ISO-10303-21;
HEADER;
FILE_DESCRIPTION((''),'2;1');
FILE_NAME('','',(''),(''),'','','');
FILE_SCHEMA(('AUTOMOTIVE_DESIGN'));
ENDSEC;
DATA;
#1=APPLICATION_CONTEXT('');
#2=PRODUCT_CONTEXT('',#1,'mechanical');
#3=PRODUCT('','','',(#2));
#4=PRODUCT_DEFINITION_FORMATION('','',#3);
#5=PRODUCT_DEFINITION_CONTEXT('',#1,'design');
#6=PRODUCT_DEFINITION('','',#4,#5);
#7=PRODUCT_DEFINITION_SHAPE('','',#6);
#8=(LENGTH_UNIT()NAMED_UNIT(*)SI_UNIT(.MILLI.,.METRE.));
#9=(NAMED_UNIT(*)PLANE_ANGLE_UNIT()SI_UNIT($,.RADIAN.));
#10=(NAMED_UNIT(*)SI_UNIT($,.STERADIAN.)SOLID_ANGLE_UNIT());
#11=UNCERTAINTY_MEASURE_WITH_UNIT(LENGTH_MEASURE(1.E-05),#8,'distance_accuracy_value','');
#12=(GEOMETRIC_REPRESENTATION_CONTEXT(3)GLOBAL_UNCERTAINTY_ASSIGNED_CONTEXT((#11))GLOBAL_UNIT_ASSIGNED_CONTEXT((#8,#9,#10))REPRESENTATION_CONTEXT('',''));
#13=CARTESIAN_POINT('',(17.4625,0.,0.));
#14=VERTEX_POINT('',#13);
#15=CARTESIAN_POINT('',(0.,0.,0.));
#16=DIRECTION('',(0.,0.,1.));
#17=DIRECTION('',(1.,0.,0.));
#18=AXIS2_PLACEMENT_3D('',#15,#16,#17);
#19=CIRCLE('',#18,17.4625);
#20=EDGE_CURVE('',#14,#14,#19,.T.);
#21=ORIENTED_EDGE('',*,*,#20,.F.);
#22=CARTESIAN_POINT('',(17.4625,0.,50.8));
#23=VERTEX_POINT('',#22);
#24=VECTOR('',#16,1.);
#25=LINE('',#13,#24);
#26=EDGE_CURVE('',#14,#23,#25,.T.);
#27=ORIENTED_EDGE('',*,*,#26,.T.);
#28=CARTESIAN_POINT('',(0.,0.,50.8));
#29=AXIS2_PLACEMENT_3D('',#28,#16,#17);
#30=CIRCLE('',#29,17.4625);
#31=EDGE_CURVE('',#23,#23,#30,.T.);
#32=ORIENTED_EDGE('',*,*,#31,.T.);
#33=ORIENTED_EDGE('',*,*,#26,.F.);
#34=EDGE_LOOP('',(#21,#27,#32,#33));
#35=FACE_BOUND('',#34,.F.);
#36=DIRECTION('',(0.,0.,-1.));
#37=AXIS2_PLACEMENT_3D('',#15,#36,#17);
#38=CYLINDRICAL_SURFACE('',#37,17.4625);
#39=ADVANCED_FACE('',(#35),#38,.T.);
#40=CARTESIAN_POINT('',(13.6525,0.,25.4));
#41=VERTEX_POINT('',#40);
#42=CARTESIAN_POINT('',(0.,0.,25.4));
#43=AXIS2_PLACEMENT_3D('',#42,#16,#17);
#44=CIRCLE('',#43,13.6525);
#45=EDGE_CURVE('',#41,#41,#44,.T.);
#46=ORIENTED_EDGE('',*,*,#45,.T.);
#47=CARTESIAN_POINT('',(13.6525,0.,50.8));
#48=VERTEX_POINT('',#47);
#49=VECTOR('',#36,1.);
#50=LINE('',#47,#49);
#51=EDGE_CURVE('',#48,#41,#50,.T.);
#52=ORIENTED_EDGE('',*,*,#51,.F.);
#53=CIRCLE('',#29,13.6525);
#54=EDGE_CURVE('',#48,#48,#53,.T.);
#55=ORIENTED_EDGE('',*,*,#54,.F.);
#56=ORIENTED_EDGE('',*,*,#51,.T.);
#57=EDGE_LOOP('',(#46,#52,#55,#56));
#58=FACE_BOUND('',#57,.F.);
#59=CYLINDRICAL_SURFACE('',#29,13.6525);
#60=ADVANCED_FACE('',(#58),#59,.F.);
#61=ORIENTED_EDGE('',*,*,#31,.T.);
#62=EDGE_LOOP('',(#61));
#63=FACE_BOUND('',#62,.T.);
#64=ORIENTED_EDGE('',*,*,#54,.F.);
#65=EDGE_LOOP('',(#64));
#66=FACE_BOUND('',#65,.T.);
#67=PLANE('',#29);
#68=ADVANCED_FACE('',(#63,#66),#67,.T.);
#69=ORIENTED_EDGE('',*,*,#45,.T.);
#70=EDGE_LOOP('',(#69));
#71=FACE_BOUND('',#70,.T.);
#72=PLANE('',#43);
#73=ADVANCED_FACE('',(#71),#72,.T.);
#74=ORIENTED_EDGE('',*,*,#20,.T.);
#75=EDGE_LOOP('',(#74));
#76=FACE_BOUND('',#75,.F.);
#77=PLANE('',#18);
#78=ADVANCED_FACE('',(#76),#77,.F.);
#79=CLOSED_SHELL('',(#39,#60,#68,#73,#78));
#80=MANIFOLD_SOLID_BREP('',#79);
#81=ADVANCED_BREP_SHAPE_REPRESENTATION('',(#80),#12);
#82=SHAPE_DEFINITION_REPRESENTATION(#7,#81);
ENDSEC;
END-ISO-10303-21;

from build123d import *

# Parameters (mm, degrees)
F0_R     = 17.4625
F1_DEPTH = 50.8
F2_R     = 13.6525
F3_DEPTH = 25.4


with BuildPart() as f1:
    # F0 (on Top) → F1 (new body)
    with BuildSketch(Plane.XY):
        Circle(F0_R)
    extrude(amount=F1_DEPTH)

    # F2 (on face) → F3 (cut)
    with BuildSketch(Plane.XY.offset(50.8)):
        Circle(F2_R)
    extrude(amount=-F3_DEPTH, mode=Mode.SUBTRACT)


solid = f1.part
